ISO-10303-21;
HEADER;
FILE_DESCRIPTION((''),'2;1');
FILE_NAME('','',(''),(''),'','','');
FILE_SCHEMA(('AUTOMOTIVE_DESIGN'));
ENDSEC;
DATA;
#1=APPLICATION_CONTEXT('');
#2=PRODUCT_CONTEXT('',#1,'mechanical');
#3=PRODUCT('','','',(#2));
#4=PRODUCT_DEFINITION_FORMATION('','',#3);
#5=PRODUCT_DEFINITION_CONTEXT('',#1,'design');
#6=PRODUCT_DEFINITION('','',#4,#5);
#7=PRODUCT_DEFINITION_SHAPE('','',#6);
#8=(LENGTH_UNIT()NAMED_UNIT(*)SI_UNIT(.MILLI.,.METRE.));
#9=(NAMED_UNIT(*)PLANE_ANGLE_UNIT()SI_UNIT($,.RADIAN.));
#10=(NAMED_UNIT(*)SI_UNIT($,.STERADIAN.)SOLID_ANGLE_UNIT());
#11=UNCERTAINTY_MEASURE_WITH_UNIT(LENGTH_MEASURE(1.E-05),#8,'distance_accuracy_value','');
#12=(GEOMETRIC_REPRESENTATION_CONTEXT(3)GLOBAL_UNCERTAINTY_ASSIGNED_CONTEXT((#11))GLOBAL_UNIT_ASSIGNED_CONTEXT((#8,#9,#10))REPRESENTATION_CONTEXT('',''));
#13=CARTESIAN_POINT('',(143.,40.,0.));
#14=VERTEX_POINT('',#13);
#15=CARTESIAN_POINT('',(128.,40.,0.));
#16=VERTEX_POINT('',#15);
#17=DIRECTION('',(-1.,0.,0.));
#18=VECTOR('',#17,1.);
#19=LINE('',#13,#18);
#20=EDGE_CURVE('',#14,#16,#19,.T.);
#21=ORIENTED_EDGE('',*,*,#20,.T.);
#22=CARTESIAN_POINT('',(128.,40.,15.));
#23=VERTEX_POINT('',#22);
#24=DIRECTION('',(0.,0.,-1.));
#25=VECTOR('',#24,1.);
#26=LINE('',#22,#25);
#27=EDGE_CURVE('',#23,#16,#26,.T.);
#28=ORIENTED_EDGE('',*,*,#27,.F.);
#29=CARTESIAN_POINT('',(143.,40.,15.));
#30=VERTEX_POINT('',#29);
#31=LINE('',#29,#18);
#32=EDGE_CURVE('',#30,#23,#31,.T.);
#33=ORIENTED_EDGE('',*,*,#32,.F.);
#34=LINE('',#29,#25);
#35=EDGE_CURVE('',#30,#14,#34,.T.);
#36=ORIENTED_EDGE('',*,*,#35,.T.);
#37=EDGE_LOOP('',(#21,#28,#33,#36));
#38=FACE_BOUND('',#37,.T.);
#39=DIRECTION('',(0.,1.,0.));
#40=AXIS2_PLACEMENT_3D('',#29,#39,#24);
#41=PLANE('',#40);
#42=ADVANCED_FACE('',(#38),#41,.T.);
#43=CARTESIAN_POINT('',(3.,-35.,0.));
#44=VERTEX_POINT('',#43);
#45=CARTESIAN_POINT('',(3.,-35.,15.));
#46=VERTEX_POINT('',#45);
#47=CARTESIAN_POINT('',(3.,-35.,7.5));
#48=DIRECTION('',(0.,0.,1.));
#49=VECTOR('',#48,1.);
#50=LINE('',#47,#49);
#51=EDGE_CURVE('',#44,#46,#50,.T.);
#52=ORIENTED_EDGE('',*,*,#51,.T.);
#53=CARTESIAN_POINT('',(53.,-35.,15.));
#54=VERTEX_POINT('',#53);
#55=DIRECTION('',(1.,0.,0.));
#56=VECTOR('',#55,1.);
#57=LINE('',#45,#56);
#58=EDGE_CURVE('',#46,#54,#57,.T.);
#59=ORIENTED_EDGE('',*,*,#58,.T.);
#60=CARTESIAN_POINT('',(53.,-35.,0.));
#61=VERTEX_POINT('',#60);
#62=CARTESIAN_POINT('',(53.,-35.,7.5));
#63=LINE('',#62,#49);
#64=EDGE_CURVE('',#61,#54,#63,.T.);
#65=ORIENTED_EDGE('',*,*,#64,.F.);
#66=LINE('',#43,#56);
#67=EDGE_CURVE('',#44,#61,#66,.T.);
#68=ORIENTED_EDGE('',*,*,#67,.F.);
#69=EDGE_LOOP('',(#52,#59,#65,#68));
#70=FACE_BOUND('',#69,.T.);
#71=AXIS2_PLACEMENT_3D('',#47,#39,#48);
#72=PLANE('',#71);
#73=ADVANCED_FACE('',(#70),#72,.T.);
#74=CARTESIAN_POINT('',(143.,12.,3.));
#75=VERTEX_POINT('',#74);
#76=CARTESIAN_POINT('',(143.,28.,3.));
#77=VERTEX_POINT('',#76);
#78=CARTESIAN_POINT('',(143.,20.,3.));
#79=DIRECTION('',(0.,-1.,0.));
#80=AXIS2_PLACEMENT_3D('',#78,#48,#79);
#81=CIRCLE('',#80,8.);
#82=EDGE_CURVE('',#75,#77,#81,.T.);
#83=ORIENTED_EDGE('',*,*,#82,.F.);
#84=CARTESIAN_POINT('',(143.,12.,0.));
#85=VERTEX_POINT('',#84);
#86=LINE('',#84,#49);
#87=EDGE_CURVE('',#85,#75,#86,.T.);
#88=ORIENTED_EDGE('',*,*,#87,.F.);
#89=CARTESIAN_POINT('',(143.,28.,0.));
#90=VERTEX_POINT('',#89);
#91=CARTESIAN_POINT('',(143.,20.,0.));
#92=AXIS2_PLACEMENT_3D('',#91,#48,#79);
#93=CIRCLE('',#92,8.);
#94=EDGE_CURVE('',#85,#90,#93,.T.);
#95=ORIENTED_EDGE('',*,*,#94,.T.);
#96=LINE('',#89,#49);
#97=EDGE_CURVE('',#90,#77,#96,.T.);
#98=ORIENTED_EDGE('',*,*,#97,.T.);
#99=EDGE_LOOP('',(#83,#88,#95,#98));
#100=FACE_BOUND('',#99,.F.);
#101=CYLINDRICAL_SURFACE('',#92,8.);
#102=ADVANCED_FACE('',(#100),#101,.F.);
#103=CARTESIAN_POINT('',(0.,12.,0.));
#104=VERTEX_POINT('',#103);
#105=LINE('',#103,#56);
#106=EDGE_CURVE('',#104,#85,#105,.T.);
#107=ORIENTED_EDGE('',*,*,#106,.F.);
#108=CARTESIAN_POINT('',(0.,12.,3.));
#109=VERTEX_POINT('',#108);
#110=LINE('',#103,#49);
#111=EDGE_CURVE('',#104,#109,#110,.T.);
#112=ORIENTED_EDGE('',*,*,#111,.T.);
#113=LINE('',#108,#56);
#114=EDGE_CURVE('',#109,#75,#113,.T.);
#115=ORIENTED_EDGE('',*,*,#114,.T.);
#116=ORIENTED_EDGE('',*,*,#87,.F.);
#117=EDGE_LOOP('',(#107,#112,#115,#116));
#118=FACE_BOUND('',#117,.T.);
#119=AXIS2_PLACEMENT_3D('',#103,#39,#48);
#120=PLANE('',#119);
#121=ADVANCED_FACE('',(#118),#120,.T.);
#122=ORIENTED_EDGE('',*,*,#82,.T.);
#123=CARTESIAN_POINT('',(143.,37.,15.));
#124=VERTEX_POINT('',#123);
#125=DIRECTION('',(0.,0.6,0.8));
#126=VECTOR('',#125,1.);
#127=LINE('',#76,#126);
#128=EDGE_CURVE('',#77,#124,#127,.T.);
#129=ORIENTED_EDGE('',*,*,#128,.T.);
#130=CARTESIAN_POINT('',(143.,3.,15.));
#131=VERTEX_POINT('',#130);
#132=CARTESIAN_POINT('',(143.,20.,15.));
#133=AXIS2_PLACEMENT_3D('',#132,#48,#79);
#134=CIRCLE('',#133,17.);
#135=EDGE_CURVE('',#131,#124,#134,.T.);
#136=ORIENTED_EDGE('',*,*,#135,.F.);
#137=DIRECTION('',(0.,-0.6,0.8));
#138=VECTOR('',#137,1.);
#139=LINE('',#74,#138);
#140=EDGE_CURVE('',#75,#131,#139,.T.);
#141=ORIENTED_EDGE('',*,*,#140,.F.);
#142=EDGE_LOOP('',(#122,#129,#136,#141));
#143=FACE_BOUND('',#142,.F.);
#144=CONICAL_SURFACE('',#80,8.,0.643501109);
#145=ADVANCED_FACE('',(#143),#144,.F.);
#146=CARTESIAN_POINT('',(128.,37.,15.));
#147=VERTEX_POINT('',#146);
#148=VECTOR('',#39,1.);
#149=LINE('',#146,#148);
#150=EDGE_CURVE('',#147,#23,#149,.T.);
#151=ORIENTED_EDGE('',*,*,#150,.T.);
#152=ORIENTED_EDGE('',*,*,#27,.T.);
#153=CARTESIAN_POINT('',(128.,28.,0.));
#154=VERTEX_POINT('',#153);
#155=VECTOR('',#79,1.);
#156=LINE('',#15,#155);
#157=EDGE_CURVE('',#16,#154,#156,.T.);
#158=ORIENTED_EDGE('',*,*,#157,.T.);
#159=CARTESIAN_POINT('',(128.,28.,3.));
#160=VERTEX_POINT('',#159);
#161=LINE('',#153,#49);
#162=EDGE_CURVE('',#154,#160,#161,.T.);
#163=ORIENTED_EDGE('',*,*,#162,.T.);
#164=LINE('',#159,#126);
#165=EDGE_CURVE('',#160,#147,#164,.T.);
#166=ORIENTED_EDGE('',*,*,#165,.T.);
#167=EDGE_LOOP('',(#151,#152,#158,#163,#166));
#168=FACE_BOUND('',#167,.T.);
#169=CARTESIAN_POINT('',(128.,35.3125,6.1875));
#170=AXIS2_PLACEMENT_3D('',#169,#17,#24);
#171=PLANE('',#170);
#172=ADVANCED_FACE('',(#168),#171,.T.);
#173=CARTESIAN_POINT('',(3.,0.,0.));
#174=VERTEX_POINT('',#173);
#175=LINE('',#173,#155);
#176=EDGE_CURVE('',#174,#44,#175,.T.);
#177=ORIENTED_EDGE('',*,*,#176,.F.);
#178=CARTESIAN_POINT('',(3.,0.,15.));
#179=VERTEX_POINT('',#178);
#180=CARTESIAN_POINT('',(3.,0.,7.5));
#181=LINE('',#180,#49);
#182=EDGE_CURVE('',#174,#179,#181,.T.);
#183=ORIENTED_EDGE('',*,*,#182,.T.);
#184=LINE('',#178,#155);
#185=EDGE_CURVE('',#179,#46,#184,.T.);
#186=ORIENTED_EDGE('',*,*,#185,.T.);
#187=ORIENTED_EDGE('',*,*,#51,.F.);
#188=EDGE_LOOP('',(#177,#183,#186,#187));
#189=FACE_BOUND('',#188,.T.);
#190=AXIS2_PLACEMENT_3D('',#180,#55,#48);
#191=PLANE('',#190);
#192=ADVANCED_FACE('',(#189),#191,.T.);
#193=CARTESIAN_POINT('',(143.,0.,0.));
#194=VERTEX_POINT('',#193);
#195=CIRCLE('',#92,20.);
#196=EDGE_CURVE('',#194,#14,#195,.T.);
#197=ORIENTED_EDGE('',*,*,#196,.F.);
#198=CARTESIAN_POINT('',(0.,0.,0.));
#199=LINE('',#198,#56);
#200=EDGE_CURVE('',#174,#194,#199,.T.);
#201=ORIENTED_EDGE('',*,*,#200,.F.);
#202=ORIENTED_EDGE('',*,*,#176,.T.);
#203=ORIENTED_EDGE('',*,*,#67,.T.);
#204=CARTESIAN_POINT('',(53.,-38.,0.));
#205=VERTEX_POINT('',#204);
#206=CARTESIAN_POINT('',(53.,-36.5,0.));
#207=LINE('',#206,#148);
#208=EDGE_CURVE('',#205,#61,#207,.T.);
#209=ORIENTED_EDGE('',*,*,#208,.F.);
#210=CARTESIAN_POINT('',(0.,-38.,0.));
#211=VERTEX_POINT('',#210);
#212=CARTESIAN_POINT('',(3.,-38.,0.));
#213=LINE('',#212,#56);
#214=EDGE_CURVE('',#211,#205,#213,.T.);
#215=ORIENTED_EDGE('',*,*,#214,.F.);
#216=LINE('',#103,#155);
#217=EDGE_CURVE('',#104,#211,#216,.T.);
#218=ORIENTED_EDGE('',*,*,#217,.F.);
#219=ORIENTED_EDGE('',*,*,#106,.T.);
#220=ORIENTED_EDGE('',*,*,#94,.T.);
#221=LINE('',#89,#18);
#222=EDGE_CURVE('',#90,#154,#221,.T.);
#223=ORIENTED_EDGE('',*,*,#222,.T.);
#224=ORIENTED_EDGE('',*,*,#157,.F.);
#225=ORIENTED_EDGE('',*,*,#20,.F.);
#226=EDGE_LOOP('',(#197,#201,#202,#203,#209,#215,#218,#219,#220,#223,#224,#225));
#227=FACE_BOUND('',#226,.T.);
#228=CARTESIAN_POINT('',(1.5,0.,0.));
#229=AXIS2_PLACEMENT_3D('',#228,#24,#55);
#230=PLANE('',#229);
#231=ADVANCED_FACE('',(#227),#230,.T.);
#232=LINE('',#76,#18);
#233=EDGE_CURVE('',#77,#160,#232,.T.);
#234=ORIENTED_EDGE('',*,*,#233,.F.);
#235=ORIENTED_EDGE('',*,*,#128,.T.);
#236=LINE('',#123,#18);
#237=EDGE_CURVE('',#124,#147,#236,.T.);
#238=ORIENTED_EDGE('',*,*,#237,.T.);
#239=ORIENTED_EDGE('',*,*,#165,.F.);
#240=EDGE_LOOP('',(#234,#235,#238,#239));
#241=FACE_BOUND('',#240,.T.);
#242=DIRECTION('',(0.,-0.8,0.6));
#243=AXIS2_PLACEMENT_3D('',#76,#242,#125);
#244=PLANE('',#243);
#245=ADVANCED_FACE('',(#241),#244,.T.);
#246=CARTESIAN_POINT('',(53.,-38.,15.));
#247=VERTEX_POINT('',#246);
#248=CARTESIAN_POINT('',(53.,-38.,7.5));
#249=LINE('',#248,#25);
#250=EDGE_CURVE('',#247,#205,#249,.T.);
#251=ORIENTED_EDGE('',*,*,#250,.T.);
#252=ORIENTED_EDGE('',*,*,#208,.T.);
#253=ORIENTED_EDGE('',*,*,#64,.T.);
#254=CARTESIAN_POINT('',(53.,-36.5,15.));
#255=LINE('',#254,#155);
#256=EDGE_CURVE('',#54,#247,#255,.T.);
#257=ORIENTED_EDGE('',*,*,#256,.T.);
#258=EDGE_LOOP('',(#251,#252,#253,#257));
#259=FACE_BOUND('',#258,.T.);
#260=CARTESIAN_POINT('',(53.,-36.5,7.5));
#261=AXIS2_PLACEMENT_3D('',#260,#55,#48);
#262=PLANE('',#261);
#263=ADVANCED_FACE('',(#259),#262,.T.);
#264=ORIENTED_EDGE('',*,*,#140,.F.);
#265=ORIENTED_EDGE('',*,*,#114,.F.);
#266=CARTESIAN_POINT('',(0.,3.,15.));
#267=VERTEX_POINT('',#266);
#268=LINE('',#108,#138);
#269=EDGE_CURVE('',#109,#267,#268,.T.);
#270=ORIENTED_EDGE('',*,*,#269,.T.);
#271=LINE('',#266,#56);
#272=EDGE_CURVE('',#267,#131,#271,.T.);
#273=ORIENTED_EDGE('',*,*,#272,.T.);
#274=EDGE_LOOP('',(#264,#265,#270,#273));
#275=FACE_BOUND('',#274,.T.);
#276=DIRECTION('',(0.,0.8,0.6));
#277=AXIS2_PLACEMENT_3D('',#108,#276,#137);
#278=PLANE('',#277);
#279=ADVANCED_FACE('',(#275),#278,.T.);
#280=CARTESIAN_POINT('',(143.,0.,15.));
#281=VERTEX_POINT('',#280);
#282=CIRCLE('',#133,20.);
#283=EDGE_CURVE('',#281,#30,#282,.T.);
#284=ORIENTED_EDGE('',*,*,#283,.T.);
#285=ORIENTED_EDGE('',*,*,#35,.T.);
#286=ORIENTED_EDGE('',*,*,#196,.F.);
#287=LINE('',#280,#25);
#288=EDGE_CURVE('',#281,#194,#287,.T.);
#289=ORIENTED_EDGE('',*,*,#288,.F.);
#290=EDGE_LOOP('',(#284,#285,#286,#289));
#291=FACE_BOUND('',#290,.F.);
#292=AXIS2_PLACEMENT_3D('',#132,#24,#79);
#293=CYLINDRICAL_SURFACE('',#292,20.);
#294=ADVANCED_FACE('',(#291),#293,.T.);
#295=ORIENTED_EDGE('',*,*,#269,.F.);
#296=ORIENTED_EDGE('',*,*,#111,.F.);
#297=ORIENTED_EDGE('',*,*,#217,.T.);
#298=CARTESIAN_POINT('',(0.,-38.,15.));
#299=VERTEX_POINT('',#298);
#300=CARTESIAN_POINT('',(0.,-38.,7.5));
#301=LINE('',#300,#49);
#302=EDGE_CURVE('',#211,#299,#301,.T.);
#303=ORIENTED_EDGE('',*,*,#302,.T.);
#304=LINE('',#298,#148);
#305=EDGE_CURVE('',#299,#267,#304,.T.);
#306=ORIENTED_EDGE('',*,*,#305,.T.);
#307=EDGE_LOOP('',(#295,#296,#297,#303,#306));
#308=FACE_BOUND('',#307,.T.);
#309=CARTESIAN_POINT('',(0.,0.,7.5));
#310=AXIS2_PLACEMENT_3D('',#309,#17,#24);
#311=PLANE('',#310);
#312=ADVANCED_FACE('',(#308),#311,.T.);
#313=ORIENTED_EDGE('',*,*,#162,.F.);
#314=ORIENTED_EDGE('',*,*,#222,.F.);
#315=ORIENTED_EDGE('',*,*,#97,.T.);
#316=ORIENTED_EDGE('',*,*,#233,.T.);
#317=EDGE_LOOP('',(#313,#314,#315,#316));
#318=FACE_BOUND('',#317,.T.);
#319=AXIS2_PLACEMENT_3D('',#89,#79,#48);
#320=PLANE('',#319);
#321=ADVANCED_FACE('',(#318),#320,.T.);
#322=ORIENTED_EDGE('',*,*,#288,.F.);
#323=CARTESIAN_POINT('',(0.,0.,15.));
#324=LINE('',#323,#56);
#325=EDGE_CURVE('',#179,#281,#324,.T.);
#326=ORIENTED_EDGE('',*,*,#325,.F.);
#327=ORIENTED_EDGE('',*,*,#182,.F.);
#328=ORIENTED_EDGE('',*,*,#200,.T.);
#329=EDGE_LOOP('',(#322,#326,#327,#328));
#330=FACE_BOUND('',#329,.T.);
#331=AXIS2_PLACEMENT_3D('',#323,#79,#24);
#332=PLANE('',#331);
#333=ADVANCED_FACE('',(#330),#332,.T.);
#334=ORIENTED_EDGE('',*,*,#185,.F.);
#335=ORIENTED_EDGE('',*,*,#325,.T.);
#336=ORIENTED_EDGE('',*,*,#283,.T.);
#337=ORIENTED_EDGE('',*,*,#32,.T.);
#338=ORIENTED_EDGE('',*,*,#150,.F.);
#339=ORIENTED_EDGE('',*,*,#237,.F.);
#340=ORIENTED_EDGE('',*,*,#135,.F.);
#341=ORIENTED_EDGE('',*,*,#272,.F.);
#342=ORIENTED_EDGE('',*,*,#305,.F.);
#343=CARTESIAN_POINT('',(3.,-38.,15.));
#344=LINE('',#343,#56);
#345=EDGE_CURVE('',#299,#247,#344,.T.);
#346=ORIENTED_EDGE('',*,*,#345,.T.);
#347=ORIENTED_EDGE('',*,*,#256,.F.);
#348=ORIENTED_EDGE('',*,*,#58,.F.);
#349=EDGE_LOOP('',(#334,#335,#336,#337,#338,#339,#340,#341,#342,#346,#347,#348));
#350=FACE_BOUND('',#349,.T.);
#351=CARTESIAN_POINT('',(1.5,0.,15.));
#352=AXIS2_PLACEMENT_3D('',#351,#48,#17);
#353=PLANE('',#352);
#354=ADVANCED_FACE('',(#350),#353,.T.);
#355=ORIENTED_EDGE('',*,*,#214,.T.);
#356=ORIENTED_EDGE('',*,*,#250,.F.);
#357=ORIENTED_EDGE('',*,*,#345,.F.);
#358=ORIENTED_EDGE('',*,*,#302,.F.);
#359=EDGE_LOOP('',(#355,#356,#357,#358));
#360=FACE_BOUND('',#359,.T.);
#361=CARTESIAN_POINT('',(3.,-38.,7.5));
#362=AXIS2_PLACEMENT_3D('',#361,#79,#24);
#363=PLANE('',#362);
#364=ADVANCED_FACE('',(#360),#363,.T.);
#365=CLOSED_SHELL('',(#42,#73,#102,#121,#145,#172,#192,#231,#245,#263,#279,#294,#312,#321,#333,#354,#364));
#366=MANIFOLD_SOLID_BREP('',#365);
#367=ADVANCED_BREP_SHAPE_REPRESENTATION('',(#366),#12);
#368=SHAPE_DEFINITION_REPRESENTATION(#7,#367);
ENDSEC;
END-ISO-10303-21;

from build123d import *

# Parameters (mm, degrees)
F3_W = 3
F3_H = 15


with BuildPart() as f2:
    # F2: sweep along a path in F0
    with BuildLine(Plane.XY) as f2_path:
        Line((0, 0), (143, 0))
        ThreePointArc((143, 0), (163, 20), (143, 40))
        Line((143, 40), (128, 40))
    # F1 (on Right) → F2 (sweep)
    with BuildSketch(Plane.YZ):
        Polygon((0, 15), (0, 0), (12, 0), (12, 3), (3, 3), (3, 15), align=None)
        Polygon((3, 3), (12, 3), (3, 15), align=None)
    sweep(path=f2_path.line)

    # F4: sweep along a path in F0
    with BuildLine(Plane.XY) as f4_path:
        Line((3, 0), (3, -35))
        Line((3, -35), (53, -35))
    # F3 (on face) → F4 (sweep)
    with BuildSketch(Plane.XZ):
        with Locations((1.5, 7.5)):
            Rectangle(F3_W, F3_H)
    sweep(path=f4_path.line, transition=Transition.RIGHT)


solid = f2.part
